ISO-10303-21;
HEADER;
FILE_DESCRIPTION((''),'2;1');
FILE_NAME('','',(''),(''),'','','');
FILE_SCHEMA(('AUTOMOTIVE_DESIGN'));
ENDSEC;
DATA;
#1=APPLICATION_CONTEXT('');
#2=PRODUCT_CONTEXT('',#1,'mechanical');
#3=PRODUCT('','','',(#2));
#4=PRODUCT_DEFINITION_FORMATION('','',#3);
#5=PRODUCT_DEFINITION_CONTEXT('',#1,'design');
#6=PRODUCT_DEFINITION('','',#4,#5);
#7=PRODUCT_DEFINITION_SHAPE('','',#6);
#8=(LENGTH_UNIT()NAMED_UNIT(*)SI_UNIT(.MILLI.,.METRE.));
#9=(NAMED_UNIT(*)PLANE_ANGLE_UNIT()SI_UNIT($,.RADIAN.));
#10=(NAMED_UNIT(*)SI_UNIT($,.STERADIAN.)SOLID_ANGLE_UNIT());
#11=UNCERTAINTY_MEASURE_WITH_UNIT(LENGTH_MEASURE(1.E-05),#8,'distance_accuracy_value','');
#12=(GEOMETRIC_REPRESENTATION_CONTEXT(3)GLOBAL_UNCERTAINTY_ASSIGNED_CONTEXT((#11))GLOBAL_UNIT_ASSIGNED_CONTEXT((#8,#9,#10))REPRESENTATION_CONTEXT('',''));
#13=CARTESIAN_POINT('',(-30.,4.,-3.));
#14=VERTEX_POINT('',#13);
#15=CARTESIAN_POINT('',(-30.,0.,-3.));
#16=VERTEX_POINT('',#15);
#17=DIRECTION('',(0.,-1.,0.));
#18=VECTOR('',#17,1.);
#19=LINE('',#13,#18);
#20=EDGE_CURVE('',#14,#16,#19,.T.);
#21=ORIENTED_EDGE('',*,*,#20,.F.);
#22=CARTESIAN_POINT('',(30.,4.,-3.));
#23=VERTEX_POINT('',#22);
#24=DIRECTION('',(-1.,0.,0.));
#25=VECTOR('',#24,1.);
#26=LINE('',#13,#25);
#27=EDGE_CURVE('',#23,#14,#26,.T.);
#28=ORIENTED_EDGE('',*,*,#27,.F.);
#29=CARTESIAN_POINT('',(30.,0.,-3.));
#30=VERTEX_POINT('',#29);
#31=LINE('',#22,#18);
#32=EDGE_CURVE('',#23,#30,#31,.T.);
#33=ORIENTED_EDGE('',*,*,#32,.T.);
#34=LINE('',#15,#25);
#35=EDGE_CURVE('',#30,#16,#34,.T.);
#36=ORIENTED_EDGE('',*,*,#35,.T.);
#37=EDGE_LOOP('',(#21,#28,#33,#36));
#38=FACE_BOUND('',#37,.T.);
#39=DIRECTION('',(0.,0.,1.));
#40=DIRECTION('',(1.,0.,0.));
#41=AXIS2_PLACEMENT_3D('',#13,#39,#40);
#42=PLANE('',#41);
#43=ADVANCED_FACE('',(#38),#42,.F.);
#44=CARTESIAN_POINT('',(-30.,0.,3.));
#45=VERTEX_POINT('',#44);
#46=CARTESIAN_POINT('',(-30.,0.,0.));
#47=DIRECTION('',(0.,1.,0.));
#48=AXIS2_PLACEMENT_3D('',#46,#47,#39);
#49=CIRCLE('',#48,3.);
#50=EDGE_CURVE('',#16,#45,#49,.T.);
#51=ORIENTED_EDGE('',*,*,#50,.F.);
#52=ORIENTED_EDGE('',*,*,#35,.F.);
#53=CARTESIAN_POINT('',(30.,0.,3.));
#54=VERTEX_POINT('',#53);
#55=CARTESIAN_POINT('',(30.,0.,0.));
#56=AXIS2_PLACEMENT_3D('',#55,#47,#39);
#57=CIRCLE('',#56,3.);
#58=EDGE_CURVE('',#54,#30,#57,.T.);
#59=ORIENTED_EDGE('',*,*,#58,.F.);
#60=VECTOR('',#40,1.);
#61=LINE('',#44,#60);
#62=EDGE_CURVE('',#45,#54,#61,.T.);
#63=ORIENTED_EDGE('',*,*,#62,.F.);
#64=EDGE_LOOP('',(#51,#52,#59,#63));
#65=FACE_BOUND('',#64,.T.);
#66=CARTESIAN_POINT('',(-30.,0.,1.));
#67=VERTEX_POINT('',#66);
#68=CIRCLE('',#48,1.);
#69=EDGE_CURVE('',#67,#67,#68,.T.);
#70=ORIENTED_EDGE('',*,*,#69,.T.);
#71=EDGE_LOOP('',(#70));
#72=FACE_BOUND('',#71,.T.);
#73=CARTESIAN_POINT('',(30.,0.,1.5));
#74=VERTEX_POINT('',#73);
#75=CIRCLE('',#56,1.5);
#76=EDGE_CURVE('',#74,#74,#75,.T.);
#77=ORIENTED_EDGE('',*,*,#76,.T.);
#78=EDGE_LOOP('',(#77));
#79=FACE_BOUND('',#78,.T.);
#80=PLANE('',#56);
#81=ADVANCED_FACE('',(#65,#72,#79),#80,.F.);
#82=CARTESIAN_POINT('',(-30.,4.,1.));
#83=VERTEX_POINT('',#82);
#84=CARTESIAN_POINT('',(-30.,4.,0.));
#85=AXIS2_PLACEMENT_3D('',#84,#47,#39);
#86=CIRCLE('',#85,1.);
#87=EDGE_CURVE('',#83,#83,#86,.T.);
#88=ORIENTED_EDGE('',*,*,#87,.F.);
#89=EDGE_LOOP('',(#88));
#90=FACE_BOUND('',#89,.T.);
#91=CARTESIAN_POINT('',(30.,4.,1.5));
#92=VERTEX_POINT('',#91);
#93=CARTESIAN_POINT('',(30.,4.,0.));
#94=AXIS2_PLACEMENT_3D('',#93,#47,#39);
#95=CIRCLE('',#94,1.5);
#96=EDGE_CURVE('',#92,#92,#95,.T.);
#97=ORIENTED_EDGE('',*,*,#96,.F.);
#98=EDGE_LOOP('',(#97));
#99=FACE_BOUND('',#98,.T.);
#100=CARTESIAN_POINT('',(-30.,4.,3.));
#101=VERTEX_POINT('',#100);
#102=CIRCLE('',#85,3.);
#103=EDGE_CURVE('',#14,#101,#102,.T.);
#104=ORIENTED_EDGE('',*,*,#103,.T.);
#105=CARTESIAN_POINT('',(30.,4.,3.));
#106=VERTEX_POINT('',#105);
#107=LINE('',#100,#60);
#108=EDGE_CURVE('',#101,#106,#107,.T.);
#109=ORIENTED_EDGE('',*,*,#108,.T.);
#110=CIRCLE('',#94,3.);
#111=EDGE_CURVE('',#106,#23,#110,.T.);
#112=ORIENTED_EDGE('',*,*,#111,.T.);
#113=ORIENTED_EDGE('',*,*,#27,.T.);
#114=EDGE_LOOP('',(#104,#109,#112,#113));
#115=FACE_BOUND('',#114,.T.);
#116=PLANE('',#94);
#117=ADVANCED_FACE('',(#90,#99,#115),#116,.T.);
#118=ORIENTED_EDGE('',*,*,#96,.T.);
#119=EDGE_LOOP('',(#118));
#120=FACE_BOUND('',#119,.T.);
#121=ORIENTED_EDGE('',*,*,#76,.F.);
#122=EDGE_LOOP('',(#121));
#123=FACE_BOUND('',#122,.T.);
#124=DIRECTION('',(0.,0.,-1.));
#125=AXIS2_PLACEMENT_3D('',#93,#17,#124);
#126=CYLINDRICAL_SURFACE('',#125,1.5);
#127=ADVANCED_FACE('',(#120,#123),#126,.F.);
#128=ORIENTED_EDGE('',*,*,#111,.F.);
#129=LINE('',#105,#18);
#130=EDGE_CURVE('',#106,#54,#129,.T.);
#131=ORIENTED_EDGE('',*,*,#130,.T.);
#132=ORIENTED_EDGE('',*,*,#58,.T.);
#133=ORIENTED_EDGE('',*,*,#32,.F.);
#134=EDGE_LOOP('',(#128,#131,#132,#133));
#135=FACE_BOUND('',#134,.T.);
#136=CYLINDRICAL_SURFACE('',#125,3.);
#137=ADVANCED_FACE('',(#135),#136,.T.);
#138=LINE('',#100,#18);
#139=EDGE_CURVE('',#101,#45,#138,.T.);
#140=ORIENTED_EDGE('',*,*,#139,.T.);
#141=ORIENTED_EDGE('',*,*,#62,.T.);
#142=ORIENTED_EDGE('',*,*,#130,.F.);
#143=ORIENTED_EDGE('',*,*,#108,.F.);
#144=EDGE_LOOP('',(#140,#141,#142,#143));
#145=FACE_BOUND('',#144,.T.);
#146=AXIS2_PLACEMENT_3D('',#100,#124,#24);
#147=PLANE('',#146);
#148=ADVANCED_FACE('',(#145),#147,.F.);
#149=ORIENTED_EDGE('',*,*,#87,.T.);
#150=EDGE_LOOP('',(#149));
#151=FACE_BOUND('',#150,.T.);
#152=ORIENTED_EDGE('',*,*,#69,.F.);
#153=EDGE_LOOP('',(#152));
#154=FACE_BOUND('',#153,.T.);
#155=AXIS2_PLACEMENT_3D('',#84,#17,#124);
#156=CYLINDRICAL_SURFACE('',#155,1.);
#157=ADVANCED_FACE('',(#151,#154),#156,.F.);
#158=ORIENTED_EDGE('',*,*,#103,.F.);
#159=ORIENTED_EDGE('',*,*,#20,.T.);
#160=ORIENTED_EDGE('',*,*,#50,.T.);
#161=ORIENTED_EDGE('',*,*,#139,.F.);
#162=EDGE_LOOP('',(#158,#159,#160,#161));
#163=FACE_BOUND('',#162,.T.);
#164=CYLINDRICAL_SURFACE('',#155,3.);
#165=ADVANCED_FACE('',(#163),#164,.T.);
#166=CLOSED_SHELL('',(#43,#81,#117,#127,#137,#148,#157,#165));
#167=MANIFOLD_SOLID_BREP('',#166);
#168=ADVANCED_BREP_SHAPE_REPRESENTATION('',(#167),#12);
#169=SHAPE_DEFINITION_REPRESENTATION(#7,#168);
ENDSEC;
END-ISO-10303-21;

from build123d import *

# Parameters (mm, degrees)
SKETCH_1_R      = 1
SKETCH_1_R_2    = 1.5
EXTRUDE_1_DEPTH = 4


with BuildPart() as part:
    # 草图1 → 凸台-拉伸1 (new body)
    with BuildSketch(Plane(origin=(0, 0, 0), x_dir=(1, 0, 0), z_dir=(0, 1, 0))):
        with BuildLine():
            Line((-30, 3), (30, 3))
            ThreePointArc((30, 3), (33, 0), (30, -3))
            Line((30, -3), (-30, -3))
            ThreePointArc((-30, -3), (-33, 0), (-30, 3))
        make_face()
        with Locations(Location((-30, 0, 0), (0, 0, 270))):
            Circle(SKETCH_1_R, mode=Mode.SUBTRACT)
        with Locations(Location((30, 0, 0), (0, 0, 270))):
            Circle(SKETCH_1_R_2, mode=Mode.SUBTRACT)
    extrude(amount=EXTRUDE_1_DEPTH)


solid = part.part
